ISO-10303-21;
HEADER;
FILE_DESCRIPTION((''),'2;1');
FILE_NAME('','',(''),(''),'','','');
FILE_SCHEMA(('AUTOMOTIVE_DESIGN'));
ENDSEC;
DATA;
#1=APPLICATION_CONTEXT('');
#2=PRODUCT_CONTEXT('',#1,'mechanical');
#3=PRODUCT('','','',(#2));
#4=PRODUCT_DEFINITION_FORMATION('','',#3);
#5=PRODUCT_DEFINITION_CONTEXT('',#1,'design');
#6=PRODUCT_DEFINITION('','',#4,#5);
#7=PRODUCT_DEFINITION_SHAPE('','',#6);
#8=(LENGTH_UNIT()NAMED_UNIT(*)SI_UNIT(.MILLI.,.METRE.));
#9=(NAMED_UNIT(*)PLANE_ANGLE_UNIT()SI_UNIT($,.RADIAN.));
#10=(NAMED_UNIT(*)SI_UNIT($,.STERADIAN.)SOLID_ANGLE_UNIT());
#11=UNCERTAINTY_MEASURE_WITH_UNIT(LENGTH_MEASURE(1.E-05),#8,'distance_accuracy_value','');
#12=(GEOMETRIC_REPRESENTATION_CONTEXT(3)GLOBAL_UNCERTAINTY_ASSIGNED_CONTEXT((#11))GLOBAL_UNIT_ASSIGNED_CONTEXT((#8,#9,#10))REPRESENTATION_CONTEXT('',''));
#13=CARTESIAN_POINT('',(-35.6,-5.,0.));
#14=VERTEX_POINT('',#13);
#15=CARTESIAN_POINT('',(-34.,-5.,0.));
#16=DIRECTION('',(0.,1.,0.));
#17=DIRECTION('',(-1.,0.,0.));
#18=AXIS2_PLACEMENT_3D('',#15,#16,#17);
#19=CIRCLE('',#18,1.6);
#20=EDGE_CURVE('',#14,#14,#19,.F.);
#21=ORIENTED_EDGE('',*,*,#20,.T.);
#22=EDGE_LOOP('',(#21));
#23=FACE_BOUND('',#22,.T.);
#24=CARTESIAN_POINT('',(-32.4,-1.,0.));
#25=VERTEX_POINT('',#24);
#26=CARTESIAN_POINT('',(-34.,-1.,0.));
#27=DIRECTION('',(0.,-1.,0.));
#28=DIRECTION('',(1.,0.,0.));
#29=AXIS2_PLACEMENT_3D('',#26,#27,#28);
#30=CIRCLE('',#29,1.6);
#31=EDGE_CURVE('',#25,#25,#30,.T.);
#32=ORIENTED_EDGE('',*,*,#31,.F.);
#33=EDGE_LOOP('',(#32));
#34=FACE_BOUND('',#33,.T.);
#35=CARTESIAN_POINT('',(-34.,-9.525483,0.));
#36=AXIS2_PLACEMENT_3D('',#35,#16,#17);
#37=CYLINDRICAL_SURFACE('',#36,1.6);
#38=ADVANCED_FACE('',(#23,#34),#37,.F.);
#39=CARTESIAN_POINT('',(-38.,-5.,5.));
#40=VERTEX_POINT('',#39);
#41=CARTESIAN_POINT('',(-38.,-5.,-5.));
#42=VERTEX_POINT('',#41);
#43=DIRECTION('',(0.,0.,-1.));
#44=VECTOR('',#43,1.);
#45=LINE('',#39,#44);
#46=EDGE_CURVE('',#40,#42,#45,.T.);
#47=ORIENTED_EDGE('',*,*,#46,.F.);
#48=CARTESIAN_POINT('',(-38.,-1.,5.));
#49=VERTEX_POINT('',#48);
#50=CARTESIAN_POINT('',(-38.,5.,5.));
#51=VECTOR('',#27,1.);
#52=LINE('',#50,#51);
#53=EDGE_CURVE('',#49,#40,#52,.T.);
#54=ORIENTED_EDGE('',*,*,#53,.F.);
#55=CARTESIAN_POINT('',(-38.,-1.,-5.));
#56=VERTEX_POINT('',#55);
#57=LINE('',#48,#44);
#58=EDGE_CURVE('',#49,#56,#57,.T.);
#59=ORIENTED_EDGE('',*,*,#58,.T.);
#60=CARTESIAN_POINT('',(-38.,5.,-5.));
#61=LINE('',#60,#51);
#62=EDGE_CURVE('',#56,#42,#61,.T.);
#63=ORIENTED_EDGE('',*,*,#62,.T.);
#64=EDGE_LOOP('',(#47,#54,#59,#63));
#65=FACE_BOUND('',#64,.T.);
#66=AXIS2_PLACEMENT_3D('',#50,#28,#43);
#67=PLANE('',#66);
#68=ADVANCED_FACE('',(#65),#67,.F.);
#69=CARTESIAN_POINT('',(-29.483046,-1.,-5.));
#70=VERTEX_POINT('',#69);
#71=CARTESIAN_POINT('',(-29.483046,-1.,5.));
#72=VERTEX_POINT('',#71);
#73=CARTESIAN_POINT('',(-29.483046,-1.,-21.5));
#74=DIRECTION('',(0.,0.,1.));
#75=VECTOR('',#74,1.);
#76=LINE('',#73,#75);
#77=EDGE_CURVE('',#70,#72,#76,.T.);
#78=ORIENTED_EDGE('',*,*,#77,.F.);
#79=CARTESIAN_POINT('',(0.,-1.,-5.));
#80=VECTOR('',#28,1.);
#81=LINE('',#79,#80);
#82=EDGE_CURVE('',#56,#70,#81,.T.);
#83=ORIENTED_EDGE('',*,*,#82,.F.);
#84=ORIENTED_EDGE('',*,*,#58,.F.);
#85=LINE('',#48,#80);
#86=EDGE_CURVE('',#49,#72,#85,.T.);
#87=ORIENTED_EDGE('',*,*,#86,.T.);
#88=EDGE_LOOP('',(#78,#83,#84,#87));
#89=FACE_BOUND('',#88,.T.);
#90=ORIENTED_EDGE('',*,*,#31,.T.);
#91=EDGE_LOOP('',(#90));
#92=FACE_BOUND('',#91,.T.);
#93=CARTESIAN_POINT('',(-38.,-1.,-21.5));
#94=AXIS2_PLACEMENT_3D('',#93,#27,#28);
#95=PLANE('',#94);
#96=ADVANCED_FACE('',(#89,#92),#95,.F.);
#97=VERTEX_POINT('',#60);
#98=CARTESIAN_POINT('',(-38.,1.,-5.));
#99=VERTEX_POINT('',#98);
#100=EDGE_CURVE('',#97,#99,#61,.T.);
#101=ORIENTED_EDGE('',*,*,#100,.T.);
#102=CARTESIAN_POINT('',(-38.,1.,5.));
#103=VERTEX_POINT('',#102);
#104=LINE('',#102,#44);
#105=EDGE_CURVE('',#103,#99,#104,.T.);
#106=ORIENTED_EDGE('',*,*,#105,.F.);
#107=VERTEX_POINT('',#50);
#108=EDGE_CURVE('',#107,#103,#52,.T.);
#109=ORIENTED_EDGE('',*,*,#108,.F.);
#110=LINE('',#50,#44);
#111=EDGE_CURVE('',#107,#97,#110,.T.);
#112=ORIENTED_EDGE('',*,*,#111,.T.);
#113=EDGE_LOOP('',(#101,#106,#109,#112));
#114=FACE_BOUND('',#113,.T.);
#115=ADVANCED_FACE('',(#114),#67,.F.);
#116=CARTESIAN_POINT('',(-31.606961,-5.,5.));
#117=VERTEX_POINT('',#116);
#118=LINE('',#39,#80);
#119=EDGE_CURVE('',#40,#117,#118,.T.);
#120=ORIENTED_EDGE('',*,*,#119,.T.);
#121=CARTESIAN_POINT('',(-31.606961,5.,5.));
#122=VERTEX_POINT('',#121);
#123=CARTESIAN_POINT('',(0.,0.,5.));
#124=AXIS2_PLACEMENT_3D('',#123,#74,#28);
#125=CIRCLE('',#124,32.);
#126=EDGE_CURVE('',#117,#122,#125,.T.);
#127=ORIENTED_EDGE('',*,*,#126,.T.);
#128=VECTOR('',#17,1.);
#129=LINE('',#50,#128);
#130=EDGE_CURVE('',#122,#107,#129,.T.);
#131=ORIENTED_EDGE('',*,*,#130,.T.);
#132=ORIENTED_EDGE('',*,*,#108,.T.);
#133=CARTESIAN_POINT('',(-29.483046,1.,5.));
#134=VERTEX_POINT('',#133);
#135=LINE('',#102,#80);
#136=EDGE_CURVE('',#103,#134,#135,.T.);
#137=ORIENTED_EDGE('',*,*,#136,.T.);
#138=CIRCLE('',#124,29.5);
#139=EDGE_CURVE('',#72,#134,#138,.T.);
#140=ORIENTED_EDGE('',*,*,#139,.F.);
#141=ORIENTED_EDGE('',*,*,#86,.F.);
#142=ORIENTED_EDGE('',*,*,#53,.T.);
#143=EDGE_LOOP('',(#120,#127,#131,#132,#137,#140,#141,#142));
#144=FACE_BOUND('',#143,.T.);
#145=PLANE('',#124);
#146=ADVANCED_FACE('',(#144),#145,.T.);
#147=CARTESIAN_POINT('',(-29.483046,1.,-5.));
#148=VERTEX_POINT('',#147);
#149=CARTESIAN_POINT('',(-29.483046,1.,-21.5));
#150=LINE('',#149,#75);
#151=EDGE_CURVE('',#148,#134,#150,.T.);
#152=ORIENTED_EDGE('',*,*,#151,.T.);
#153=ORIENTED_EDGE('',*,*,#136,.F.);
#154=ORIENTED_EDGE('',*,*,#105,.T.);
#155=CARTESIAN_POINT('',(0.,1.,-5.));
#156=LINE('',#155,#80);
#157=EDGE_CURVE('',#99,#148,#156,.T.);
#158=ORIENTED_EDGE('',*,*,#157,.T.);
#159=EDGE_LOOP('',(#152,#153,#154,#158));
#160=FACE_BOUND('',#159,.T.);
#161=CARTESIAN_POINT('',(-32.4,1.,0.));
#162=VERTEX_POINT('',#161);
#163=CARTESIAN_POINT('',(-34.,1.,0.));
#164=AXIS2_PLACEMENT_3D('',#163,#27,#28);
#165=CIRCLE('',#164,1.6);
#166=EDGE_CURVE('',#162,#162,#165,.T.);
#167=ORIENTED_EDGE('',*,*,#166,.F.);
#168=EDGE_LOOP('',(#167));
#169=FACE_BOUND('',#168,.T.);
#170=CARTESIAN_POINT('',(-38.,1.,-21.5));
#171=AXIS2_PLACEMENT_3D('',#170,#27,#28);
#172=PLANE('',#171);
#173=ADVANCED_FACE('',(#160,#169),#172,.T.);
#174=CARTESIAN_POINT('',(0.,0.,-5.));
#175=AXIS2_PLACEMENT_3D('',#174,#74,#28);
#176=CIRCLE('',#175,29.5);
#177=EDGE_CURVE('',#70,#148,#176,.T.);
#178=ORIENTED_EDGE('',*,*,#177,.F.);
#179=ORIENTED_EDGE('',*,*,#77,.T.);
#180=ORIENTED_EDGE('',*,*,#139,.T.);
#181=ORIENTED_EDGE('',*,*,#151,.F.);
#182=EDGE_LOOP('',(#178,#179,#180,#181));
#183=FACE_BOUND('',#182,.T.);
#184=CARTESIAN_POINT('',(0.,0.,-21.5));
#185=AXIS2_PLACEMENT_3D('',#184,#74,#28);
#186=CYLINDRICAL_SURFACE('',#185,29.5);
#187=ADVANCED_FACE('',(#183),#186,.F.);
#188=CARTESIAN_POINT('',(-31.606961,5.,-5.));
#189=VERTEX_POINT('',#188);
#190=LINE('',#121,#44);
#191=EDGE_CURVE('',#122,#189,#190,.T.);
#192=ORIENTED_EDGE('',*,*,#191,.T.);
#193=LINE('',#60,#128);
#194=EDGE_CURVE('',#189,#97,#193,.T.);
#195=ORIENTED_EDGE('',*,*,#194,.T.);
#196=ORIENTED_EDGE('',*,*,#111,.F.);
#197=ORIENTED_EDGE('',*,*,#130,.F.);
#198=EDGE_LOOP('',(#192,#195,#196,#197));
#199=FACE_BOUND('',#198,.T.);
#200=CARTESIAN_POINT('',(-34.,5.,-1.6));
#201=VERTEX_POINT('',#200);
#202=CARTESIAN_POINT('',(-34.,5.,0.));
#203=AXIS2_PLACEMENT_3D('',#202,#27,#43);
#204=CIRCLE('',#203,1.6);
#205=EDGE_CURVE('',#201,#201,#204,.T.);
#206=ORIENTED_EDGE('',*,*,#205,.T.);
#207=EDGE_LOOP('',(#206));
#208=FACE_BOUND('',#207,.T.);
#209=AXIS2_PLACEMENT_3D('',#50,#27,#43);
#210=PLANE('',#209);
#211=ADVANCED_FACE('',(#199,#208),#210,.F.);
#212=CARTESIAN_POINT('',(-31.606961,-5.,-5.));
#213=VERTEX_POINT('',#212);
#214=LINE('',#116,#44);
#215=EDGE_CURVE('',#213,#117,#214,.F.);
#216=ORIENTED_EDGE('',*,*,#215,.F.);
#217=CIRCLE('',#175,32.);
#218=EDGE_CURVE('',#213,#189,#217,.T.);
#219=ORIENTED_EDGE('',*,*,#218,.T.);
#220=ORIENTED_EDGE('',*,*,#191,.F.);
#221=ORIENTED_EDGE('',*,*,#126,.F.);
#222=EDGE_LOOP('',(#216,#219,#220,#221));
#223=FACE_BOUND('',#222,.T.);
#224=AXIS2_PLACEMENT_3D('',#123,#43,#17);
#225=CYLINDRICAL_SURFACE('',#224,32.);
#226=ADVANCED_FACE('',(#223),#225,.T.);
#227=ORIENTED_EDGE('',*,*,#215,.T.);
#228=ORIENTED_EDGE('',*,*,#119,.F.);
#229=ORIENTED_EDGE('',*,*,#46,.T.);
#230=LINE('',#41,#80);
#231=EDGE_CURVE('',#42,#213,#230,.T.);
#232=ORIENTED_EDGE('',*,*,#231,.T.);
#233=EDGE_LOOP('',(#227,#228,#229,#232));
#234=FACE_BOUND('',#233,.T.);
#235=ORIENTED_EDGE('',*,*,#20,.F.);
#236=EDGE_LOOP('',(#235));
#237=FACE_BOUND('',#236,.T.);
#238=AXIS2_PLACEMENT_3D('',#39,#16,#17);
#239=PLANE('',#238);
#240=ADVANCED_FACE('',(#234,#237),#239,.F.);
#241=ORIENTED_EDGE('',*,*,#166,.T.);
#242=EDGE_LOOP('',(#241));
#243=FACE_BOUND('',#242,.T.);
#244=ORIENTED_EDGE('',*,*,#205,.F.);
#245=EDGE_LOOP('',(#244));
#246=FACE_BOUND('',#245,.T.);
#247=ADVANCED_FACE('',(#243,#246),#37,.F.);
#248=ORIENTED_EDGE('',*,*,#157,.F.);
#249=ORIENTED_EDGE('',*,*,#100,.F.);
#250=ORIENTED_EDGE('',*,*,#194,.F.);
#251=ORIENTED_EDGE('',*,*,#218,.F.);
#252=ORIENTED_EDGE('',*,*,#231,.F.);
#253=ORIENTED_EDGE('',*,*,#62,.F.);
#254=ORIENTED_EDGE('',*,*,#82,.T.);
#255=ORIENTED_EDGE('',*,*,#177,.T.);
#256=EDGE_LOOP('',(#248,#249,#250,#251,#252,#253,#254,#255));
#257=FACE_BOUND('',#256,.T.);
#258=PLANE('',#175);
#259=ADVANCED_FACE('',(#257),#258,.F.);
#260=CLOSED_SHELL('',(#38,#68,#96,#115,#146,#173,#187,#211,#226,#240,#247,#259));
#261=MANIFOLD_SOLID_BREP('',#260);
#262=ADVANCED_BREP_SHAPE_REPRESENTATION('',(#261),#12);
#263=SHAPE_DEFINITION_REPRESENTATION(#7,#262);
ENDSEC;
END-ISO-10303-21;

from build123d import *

# Parameters (mm, degrees)
SKETCH1_R               = 32
BOSS_EXTRUDE1_DEPTH     = 5
SKETCH4_W               = 38
SKETCH4_H               = 10
BOSS_EXTRUDE2_DEPTH     = 5
SKETCH5_R               = 29.5
SKETCH5_W               = 38
SKETCH5_H               = 2
CUT_EXTRUDE1_DEPTH      = 26.5
SKETCH6_R               = 1.6
CUT_EXTRUDE2_DEPTH      = 28
CUT_EXTRUDE2_DEPTH_BACK = 10


with BuildPart() as part:
    # Sketch1 → Boss-Extrude1 (new body, symmetric)
    with BuildSketch(Plane.XY):
        Circle(SKETCH1_R)
    extrude(amount=BOSS_EXTRUDE1_DEPTH, both=True)

    # Sketch4 → Boss-Extrude2 (add, symmetric)
    with BuildSketch(Plane.XY):
        with Locations((-19, 0)):
            Rectangle(SKETCH4_W, SKETCH4_H)
    extrude(amount=BOSS_EXTRUDE2_DEPTH, both=True)

    # Sketch5 → Cut-Extrude1 (cut)
    with BuildSketch(Plane.XY.offset(5)):
        Circle(SKETCH5_R)
        with Locations((-19, 0)):
            Rectangle(SKETCH5_W, SKETCH5_H)
    extrude(amount=-CUT_EXTRUDE1_DEPTH, mode=Mode.SUBTRACT)

    # Sketch6 → Cut-Extrude2 (cut, two sides)
    with BuildSketch(Plane(origin=(0, 5, 0), x_dir=(1, 0, 0), z_dir=(0, 1, 0))) as cut_extrude2_sk:
        with Locations((-34, 0)):
            Circle(SKETCH6_R)
    extrude(amount=CUT_EXTRUDE2_DEPTH, mode=Mode.SUBTRACT)
    extrude(cut_extrude2_sk.sketch, amount=-CUT_EXTRUDE2_DEPTH_BACK, mode=Mode.SUBTRACT)


solid = part.part
